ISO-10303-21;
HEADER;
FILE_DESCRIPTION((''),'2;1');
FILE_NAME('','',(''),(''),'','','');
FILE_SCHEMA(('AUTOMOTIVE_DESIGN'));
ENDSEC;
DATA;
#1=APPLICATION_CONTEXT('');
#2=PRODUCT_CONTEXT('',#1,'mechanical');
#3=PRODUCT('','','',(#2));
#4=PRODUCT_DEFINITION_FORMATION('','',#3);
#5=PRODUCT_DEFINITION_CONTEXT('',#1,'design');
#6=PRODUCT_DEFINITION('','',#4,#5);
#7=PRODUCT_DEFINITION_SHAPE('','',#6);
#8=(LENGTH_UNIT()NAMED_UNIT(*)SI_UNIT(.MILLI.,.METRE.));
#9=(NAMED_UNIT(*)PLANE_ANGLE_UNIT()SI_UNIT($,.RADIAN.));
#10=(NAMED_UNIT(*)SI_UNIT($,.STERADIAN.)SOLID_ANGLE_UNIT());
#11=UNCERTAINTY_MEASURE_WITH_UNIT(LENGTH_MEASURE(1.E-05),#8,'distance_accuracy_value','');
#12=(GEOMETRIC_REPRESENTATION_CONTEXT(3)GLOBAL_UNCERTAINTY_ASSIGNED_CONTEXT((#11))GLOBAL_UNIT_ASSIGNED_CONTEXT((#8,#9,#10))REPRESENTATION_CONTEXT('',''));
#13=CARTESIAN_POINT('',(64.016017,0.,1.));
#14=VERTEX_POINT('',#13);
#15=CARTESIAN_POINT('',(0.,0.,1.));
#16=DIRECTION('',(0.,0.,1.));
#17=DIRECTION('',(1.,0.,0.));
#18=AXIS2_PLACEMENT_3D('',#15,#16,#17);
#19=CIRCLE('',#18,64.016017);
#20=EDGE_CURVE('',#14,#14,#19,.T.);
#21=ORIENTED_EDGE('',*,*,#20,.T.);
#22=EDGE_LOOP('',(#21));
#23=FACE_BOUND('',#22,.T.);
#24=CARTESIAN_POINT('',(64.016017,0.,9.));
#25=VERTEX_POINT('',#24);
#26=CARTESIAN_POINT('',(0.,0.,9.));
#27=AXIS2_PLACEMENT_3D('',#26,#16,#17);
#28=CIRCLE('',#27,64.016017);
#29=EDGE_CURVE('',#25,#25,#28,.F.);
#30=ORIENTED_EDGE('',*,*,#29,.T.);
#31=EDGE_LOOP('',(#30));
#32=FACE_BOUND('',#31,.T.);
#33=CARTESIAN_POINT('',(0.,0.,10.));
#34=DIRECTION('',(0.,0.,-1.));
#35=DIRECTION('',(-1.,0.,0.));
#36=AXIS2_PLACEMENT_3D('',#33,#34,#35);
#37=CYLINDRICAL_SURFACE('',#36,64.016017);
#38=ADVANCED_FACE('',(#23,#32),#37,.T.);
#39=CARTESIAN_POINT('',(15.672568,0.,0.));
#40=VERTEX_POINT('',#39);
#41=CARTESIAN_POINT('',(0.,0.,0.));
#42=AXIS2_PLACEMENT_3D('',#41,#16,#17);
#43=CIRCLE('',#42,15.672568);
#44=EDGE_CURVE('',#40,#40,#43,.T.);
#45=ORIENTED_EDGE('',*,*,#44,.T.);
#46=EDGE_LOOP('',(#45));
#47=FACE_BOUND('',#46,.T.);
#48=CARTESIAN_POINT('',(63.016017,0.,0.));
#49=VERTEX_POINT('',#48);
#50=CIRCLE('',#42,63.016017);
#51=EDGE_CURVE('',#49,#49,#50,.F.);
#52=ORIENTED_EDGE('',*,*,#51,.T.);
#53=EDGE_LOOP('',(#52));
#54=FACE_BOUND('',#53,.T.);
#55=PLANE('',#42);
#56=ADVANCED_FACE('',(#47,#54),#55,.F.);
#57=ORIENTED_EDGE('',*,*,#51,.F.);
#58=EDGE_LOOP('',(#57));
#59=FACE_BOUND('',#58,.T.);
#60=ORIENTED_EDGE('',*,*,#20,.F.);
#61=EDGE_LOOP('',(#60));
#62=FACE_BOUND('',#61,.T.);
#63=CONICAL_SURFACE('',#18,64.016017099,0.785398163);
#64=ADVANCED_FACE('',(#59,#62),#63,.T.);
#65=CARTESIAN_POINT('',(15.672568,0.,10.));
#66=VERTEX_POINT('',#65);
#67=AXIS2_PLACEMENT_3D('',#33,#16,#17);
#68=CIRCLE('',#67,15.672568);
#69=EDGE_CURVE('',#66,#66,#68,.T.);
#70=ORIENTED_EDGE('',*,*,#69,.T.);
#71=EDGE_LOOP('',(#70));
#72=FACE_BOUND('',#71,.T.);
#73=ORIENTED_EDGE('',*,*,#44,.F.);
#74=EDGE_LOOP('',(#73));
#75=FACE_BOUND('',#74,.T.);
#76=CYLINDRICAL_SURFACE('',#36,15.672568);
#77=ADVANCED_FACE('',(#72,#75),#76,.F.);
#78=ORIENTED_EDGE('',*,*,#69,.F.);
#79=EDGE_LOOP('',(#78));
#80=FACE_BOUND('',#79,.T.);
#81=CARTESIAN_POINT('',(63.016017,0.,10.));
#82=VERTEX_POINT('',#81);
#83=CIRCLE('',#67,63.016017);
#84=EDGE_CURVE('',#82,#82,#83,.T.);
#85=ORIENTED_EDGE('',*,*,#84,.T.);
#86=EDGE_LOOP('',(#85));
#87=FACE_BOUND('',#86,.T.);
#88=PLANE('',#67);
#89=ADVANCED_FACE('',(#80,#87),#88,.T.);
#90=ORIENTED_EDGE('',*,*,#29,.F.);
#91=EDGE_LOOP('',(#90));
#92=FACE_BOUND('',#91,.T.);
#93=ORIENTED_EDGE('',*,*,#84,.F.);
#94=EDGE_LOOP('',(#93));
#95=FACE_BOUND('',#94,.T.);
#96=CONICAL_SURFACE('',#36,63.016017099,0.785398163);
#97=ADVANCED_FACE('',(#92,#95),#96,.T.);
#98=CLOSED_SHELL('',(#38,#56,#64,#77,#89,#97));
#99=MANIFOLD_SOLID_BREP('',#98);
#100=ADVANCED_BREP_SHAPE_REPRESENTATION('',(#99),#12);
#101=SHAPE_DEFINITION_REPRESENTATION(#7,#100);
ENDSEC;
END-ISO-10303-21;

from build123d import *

# Parameters (mm, degrees)
SKETCH1_R           = 64.016017099
SKETCH1_R_2         = 15.67256847
BOSS_EXTRUDE1_DEPTH = 10
CHAMFER1_SIZE       = 1


with BuildPart() as part:
    # Sketch1 → Boss-Extrude1 (new body)
    with BuildSketch(Plane.XY):
        Circle(SKETCH1_R)
        Circle(SKETCH1_R_2, mode=Mode.SUBTRACT)
    extrude(amount=BOSS_EXTRUDE1_DEPTH)

    # Chamfer1
    chamfer1_edges = [part.edges().sort_by_distance(p)[0] for p in [
        (-64.016017099, 0, 0),
        (-64.016017099, 0, 10),
    ]]
    chamfer(chamfer1_edges, length=CHAMFER1_SIZE)


solid = part.part
